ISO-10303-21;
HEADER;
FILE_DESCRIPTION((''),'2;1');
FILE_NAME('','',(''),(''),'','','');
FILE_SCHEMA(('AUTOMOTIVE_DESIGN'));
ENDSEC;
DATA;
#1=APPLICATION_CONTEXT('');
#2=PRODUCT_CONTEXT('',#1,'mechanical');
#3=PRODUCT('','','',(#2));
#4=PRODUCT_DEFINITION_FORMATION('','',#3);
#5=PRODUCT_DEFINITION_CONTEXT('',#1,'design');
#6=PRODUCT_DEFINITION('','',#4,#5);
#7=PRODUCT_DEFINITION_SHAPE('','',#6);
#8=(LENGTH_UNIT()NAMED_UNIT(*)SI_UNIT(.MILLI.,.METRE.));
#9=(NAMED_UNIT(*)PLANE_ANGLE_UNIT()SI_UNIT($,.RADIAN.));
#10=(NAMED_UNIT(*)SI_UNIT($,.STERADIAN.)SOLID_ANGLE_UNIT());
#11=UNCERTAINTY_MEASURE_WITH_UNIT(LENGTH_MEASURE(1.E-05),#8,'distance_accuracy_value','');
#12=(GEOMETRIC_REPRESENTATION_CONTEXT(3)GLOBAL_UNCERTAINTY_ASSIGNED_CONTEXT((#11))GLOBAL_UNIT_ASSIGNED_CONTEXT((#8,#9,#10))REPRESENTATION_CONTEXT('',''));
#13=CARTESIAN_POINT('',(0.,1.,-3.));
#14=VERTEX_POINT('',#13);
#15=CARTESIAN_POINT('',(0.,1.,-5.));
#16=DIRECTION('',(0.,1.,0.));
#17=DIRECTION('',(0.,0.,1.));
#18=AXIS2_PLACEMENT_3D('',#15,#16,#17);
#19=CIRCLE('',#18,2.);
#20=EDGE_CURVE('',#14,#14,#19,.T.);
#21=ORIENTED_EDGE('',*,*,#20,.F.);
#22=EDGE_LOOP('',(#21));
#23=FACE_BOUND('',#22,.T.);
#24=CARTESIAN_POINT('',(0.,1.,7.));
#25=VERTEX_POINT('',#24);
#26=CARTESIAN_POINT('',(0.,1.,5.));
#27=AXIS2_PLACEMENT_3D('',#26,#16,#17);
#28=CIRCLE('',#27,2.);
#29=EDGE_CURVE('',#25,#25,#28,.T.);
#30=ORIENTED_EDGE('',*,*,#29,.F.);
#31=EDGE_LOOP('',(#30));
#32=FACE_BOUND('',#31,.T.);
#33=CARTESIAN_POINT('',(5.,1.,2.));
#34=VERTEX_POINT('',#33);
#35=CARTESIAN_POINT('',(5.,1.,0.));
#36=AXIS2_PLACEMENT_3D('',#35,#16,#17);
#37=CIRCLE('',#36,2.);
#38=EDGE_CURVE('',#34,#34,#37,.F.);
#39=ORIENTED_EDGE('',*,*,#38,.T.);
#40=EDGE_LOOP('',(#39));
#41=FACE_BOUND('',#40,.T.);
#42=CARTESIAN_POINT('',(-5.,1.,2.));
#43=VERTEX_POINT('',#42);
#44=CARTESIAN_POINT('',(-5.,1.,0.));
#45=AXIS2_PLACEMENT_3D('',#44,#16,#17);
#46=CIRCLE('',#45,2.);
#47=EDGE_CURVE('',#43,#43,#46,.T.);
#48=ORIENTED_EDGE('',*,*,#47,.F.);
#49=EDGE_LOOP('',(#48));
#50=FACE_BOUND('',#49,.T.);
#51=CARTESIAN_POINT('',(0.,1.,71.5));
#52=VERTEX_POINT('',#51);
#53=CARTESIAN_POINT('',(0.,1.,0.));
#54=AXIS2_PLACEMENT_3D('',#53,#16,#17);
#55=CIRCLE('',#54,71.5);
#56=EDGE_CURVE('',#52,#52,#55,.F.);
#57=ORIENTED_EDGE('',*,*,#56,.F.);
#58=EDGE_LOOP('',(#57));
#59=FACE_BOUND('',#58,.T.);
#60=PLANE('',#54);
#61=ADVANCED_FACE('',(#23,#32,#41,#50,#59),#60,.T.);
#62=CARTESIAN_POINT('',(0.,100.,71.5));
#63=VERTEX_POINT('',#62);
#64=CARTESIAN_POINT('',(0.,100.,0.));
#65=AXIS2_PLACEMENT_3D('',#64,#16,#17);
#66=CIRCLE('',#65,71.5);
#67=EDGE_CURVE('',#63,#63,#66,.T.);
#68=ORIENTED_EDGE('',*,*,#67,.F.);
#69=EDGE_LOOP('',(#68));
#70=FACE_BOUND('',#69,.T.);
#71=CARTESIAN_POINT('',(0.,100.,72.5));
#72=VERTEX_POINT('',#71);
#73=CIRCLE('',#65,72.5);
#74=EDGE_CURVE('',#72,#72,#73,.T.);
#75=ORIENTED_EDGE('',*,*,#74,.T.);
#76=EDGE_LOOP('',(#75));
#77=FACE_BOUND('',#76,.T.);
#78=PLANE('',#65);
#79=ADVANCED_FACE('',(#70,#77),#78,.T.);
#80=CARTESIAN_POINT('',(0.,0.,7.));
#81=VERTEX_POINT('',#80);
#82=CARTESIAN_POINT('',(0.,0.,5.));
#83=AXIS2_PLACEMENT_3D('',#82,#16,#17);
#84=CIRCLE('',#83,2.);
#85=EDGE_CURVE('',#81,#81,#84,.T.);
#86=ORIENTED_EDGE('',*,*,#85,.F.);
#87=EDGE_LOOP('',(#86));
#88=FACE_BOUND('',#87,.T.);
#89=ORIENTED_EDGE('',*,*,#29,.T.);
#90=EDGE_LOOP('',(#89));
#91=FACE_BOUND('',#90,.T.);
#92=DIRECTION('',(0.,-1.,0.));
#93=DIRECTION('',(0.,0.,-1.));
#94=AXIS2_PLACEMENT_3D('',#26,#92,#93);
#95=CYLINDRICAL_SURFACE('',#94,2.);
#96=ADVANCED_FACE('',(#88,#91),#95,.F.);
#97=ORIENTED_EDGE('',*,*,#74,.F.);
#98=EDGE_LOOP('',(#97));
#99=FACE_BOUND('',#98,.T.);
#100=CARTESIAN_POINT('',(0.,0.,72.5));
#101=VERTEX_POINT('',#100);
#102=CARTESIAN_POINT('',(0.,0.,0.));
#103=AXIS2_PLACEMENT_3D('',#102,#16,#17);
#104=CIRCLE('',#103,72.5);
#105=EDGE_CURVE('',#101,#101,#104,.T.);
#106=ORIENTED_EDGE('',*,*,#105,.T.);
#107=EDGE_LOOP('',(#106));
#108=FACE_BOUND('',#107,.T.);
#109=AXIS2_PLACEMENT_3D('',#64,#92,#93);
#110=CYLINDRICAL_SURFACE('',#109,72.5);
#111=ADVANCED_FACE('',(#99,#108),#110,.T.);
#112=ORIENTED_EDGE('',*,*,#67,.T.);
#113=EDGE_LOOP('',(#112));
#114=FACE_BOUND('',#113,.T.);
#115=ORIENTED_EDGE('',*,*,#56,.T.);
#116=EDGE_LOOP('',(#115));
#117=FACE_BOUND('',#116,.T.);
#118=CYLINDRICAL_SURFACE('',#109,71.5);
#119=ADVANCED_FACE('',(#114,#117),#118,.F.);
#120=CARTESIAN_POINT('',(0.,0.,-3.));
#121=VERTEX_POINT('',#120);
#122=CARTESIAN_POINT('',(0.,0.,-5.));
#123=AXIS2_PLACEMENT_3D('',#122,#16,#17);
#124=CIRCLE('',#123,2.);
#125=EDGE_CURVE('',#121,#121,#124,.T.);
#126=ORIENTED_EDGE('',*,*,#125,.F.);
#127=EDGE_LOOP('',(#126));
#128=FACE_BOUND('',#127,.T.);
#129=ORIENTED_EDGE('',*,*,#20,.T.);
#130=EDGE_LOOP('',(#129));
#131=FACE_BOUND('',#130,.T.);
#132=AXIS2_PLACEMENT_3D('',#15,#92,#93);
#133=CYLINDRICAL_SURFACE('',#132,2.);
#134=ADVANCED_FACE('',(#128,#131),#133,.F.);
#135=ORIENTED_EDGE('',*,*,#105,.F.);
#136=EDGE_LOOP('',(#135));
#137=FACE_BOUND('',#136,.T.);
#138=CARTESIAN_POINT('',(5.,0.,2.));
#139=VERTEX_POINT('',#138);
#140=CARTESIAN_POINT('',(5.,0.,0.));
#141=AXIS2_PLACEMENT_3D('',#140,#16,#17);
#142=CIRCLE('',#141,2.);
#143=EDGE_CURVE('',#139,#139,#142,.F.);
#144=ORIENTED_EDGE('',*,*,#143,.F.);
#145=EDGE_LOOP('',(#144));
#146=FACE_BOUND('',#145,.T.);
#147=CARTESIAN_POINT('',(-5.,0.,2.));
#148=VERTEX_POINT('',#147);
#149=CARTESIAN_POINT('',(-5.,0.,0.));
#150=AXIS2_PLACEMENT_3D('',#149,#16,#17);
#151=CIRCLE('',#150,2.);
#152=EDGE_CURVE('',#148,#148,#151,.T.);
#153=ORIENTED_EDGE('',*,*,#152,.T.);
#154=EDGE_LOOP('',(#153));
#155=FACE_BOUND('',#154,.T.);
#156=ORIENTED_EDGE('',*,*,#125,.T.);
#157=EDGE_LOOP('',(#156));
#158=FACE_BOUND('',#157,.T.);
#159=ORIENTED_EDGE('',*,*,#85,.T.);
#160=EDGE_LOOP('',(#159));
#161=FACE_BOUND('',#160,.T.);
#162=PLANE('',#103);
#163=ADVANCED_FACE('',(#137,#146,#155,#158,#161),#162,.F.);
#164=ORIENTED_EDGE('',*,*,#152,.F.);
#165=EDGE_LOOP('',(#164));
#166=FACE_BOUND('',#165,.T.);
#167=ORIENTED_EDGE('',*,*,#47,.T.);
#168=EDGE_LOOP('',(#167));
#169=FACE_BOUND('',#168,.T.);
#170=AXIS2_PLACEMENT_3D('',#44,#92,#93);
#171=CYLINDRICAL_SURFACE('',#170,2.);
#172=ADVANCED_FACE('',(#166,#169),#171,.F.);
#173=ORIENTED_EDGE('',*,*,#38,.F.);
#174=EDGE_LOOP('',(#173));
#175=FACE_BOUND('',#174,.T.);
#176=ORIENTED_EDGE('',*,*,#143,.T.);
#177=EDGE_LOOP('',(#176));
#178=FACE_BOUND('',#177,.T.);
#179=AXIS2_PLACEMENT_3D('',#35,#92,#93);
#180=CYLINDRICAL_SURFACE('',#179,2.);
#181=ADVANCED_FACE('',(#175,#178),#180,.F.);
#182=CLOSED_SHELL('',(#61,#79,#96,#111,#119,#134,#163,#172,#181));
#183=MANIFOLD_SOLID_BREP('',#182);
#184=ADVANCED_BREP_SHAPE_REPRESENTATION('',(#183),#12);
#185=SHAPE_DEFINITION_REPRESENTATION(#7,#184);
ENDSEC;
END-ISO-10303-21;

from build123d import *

# Parameters (mm, degrees)
SKETCH_6_R      = 71.5
SKETCH_6_R_2    = 2
EXTRUDE_2_DEPTH = 1
SKETCH_6_7_R    = 72.5
SKETCH_6_7_R_2  = 71.5
EXTRUDE_3_DEPTH = 100


with BuildPart() as part:
    # 草圖6 → 填料-伸長2 (new body)
    with BuildSketch(Plane(origin=(0, 0, 0), x_dir=(1, 0, 0), z_dir=(0, 1, 0))):
        Circle(SKETCH_6_R)
        with Locations((0, -5)):
            Circle(SKETCH_6_R_2, mode=Mode.SUBTRACT)
        with Locations((-5, 0)):
            Circle(SKETCH_6_R_2, mode=Mode.SUBTRACT)
        with Locations((5, 0)):
            Circle(SKETCH_6_R_2, mode=Mode.SUBTRACT)
        with Locations((0, 5)):
            Circle(SKETCH_6_R_2, mode=Mode.SUBTRACT)
    extrude(amount=EXTRUDE_2_DEPTH)

    # 草圖6<7> → 填料-伸長3 (add)
    with BuildSketch(Plane(origin=(0, 0, 0), x_dir=(1, 0, 0), z_dir=(0, 1, 0))):
        Circle(SKETCH_6_7_R)
        Circle(SKETCH_6_7_R_2, mode=Mode.SUBTRACT)
    extrude(amount=EXTRUDE_3_DEPTH)


solid = part.part
